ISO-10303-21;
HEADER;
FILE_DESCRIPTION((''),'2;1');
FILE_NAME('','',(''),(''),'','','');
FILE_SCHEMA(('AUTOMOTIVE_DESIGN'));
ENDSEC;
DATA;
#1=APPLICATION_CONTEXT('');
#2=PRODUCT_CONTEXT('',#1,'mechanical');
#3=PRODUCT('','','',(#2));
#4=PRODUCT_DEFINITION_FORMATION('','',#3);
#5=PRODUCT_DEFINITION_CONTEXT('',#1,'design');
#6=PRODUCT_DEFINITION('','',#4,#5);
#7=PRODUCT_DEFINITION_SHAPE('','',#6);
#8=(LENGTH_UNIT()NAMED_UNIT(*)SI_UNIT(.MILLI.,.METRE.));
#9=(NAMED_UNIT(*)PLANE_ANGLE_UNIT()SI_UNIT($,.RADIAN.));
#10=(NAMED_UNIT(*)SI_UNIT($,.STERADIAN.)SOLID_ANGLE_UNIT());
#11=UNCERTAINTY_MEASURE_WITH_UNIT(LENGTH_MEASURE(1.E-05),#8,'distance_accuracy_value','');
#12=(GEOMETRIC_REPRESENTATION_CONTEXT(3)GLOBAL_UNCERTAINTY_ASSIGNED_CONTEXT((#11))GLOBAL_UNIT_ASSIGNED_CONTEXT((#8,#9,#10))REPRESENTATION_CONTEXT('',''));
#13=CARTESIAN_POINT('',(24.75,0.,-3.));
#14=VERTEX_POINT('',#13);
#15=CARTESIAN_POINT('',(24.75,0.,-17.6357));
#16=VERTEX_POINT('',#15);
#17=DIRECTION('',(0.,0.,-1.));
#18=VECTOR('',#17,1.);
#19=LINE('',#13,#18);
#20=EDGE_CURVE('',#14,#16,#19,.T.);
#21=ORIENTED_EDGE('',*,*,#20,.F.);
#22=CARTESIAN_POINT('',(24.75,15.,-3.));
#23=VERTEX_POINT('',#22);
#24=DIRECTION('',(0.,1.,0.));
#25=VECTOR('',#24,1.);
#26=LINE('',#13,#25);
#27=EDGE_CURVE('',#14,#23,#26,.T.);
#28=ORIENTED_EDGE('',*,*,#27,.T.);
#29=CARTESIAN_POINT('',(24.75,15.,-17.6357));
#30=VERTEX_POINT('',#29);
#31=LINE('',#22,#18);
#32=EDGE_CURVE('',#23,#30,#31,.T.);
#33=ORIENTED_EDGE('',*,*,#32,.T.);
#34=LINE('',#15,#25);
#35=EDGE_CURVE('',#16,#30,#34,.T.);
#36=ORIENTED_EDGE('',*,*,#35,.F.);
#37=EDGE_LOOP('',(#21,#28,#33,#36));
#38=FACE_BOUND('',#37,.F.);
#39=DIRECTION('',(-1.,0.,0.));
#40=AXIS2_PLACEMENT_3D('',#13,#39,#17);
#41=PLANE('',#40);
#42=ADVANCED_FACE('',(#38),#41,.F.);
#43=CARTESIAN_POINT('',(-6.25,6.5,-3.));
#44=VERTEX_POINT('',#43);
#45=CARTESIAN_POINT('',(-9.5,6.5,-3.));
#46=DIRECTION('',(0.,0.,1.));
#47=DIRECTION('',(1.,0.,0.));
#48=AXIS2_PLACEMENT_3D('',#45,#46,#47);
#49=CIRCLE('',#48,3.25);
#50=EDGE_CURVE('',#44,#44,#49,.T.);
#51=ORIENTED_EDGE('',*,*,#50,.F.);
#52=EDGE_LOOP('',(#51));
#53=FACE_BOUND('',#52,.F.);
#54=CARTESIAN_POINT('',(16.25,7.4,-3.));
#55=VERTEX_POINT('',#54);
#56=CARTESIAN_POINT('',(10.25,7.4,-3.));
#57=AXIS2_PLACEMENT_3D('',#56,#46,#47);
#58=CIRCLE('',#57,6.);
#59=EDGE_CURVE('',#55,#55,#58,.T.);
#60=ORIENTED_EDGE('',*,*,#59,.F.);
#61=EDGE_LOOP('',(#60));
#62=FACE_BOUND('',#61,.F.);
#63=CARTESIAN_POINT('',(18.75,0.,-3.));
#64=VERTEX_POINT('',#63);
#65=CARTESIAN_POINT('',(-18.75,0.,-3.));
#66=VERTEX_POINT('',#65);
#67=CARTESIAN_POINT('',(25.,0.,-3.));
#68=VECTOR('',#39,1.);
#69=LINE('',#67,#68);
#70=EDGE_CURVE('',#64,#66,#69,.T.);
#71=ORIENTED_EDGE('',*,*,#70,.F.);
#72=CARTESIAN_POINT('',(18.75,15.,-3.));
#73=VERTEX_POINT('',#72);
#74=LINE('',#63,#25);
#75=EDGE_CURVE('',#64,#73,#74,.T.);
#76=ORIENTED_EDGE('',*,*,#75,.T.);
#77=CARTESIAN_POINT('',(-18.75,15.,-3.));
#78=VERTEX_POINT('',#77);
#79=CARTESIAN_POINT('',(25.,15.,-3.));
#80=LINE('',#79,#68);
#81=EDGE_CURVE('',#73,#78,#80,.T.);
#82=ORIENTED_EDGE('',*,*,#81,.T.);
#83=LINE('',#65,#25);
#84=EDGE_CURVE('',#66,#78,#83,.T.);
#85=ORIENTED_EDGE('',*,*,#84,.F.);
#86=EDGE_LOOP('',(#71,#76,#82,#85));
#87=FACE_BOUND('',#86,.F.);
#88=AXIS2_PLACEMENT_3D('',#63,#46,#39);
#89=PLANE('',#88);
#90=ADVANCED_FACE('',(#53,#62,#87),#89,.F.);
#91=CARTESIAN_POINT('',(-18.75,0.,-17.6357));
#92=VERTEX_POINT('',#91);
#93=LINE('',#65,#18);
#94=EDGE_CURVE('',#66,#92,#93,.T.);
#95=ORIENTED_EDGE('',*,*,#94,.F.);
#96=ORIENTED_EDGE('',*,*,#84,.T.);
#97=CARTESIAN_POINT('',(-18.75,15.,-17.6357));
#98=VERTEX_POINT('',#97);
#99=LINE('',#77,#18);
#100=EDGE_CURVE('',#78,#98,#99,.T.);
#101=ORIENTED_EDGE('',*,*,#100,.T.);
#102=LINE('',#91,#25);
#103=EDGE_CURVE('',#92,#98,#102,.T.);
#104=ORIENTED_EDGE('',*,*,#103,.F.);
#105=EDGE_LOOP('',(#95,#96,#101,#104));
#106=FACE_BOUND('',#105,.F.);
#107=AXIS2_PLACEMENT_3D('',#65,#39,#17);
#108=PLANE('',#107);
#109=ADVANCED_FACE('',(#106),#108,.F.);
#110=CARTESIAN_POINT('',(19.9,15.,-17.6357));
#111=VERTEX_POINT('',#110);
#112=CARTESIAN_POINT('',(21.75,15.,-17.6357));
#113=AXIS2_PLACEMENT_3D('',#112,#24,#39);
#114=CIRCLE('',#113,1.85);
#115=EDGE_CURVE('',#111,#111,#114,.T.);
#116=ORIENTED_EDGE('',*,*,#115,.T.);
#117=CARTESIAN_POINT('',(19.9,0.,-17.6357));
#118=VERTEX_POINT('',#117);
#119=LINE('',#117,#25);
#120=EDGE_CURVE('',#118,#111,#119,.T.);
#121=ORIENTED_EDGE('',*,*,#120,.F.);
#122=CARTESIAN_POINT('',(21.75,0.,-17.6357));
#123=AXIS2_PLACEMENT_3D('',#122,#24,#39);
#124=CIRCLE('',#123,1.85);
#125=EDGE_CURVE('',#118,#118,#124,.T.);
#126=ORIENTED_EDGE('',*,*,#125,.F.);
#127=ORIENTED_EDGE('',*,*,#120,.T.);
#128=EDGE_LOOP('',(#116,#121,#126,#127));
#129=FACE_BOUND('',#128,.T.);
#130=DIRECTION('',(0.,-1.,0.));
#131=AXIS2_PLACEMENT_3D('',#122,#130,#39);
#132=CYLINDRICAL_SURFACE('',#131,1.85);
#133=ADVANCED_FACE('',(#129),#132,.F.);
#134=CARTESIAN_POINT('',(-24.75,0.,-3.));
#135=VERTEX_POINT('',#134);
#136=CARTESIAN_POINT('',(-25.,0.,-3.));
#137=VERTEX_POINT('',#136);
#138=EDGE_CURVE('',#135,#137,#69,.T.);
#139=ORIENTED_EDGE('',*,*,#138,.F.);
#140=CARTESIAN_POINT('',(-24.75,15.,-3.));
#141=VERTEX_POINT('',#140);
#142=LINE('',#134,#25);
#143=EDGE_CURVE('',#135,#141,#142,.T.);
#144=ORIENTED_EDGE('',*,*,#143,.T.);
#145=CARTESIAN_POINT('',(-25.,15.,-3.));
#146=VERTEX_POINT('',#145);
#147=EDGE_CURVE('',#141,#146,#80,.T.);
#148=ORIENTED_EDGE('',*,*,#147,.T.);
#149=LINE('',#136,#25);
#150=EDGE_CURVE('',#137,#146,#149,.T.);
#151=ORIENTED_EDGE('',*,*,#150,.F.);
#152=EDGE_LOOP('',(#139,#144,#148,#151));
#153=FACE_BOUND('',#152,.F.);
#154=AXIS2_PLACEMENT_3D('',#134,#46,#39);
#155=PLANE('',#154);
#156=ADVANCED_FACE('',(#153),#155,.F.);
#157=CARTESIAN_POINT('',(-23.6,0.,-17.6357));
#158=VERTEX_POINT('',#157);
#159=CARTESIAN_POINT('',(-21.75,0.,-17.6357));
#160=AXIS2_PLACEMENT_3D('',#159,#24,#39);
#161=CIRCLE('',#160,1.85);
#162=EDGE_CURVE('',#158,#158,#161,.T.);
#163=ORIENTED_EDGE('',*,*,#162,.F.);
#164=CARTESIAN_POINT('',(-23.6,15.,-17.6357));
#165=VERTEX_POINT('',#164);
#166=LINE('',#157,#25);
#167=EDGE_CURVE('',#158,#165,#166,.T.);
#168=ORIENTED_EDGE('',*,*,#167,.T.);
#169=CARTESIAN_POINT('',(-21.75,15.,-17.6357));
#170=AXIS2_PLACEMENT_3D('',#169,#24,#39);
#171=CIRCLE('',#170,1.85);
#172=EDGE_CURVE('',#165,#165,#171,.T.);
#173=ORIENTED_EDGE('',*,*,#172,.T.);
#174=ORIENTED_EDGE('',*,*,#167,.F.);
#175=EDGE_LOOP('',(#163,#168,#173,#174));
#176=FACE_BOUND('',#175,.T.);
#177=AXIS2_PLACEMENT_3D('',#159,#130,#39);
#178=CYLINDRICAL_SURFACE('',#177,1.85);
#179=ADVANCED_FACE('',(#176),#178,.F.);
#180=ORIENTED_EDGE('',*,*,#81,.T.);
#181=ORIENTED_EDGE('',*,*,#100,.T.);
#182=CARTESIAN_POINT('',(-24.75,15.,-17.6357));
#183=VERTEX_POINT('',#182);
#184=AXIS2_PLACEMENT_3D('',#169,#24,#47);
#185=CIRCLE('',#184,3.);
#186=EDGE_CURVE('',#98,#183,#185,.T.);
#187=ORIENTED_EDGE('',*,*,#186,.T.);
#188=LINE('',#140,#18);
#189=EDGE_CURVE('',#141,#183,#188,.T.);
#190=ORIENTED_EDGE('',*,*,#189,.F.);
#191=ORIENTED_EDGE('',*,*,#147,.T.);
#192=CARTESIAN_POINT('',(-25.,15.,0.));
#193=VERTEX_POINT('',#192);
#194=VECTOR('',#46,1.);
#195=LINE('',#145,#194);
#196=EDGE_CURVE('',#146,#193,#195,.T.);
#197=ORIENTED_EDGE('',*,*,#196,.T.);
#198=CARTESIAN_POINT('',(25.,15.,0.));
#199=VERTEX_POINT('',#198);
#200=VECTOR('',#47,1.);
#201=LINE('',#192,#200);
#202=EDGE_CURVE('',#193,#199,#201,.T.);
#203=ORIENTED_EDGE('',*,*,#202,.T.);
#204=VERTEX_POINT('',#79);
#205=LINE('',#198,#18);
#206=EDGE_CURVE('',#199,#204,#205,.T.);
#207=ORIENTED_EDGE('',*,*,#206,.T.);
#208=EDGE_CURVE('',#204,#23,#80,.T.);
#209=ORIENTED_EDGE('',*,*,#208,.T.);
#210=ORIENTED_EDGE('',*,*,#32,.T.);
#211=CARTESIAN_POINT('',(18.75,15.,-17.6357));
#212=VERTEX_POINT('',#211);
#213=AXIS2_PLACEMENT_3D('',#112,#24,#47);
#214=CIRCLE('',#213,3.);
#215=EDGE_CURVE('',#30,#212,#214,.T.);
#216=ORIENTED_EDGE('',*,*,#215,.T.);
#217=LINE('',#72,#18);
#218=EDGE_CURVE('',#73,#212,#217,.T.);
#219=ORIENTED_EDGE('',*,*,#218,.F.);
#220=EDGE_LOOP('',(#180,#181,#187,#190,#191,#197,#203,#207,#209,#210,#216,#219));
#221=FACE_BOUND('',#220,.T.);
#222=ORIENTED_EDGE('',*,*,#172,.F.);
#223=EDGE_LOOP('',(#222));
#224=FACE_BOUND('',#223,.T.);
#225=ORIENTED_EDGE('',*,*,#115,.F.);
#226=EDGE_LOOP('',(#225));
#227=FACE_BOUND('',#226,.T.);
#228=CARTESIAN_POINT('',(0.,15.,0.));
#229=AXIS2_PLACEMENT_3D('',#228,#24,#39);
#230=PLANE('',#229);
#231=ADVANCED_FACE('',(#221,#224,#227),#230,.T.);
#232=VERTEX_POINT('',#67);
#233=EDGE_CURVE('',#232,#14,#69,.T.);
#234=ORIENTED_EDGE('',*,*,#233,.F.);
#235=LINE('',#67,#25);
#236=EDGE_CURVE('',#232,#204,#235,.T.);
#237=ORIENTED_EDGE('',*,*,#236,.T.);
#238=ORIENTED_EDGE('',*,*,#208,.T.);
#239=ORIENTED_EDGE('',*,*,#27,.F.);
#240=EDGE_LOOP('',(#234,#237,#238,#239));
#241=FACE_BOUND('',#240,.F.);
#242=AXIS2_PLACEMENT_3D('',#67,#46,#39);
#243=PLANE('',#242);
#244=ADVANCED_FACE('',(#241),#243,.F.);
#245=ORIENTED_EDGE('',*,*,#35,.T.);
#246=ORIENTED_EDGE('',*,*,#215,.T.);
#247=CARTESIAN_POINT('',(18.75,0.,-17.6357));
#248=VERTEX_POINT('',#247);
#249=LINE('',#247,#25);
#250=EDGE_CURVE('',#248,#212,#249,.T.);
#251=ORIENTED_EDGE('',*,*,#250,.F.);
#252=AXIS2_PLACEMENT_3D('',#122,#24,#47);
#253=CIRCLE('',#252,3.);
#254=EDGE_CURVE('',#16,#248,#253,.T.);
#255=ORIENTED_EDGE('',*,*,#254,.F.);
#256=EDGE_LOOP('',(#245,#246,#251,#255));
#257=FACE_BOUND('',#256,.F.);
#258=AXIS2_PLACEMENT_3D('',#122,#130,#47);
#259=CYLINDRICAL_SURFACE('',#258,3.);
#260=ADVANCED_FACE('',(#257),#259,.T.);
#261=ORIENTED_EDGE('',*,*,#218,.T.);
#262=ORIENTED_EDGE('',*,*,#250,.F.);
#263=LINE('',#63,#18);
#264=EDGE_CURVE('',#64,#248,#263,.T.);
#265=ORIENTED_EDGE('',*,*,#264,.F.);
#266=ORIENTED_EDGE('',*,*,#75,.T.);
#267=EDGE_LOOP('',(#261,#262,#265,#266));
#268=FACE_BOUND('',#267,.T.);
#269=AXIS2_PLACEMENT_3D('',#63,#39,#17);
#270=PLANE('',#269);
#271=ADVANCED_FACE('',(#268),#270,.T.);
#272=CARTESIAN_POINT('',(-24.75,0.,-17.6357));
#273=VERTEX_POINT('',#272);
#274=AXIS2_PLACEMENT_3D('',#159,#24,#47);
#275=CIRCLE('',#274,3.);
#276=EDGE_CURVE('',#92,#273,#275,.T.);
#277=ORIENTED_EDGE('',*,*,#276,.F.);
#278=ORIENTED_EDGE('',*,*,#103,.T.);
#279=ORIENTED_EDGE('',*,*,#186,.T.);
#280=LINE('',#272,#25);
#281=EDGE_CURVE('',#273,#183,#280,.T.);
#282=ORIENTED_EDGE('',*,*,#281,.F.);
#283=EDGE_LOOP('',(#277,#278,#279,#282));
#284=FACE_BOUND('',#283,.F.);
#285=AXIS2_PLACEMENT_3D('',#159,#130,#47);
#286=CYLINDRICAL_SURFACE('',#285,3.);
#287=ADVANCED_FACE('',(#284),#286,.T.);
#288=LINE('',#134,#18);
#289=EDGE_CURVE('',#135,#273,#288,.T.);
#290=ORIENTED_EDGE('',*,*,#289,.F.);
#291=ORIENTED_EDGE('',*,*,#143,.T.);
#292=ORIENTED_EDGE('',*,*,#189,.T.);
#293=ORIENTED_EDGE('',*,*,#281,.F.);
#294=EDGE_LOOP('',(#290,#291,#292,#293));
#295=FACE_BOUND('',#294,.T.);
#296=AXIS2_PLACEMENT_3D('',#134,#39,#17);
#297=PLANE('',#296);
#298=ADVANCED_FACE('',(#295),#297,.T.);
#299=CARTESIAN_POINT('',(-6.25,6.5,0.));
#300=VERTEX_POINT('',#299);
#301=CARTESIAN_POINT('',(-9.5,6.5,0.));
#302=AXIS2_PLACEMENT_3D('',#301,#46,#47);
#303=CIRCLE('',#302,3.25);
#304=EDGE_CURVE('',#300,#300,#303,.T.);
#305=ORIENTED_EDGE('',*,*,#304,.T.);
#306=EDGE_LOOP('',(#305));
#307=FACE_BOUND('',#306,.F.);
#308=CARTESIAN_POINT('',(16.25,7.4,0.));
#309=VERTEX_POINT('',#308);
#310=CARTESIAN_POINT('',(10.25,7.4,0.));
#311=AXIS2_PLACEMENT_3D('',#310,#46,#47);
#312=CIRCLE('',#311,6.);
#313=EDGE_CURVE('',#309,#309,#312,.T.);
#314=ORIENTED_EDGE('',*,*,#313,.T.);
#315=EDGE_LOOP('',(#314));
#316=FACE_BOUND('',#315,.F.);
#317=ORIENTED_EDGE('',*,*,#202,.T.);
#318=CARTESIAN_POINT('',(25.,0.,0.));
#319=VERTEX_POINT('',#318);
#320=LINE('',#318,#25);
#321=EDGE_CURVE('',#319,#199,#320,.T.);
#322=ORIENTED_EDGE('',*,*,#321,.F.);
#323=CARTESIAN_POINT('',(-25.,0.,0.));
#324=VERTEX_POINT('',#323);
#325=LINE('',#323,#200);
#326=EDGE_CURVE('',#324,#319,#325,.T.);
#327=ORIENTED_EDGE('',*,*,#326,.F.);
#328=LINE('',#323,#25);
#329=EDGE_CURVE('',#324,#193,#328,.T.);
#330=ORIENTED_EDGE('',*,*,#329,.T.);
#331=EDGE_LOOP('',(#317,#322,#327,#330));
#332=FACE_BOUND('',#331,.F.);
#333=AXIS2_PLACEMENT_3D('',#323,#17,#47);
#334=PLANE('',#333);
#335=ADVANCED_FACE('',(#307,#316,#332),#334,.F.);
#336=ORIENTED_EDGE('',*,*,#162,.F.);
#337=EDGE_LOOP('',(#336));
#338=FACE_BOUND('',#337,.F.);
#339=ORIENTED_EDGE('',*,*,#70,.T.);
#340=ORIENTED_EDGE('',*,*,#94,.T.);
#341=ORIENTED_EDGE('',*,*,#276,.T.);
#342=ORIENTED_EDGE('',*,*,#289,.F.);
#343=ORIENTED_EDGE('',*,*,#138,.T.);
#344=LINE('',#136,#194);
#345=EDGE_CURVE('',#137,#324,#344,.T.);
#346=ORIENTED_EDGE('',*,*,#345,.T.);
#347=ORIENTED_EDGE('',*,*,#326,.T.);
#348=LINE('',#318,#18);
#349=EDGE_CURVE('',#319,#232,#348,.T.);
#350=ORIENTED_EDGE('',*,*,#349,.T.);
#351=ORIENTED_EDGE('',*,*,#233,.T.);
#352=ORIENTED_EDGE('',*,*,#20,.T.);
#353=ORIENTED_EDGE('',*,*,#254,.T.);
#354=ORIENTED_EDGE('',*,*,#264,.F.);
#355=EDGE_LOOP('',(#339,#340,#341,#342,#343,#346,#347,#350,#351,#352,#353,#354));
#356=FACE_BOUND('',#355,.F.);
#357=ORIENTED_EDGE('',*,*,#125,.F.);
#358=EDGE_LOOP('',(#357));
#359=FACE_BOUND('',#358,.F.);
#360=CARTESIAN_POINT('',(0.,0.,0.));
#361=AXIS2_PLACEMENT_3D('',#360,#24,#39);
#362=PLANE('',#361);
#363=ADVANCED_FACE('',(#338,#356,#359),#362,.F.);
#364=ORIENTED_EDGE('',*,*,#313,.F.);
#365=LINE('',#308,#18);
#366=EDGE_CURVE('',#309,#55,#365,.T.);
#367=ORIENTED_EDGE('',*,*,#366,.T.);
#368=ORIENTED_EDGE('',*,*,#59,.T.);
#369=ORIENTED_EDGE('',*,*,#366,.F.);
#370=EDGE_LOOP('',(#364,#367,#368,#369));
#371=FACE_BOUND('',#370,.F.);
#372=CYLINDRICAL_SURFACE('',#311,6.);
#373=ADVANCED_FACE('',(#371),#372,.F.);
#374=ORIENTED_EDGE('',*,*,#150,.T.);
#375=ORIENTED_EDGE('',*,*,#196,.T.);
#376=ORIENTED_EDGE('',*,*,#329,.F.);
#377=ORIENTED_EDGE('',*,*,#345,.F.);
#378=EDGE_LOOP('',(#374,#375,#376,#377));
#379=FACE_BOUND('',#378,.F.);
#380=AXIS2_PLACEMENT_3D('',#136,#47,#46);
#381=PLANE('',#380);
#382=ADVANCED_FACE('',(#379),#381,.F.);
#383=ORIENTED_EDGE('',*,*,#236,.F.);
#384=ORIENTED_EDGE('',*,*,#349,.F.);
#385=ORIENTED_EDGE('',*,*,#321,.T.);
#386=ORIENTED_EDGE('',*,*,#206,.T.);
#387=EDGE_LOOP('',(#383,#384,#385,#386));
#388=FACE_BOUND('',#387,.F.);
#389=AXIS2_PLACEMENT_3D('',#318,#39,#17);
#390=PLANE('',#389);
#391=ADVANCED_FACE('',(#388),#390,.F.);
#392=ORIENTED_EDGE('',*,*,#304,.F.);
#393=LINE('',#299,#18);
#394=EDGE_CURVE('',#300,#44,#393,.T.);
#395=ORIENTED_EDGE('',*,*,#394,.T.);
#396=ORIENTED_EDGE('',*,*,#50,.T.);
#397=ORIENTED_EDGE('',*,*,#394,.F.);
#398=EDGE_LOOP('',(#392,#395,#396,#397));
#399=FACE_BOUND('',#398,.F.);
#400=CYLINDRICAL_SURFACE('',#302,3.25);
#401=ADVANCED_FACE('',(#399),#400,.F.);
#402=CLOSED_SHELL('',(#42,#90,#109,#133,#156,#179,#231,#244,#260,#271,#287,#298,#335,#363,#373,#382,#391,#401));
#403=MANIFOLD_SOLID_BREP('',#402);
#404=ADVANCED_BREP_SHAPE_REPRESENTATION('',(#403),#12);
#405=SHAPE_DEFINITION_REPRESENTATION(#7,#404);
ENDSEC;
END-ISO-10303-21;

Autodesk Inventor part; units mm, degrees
ref_plane "YZ Plane" through (0, 0, 0) normal (1, 0, 0) x (0, 1, 0)
ref_plane "XZ Plane" through (0, 0, 0) normal (0, 1, 0) x (-1, 0, 0)
ref_plane "XY Plane" through (0, 0, 0) normal (0, 0, 1) x (1, 0, 0)
sketch "Sketch1" plane through (0, 0, 0) normal (0, 1, 0) x (-1, 0, 0)
  line L0 (25, 0) -> (-25, 0)
  line L1 (-25, 0) -> (-25, -3)
  line L2 (-25, -3) -> (25, -3)
  line L3 (25, -3) -> (25, 0)
  line L4 (0, 0) -> (0, -12.1399) construction
  line L5 (24.75, -3) -> (24.75, -17.6357)
  line L6 (18.75, -3) -> (18.75, -17.6357)
  arc A0 (18.75, -17.6357) -> (24.75, -17.6357) centre (21.75, -17.6357) ccw
  circle A1 centre (21.75, -17.6357) radius 1.85
  line L7 (-24.75, -3) -> (-24.75, -17.6357)
  line L8 (-18.75, -3) -> (-18.75, -17.6357)
  arc A2 (-24.75, -17.6357) -> (-18.75, -17.6357) centre (-21.75, -17.6357) ccw
  circle A3 centre (-21.75, -17.6357) radius 1.85
  line L9 (-24.75, -3) -> (-18.75, -3)
  dimension "d0" = 3
  dimension "d1" = 50
  dimension "d2" = 43.5
  dimension "d3" = 14.6357
  dimension "d4" = 3.7
  dimension "d5" = 3
extrude "Extrusion1" add sketch "Sketch1" along normal blind 15
sketch "Sketch2" plane through (-25, 0, 0) normal (0, 0, 1) x (1, 0, 0)
  line L0 (0, 0) -> (50, 0) projected
  line L1 (50, 0) -> (50, 15) projected
  line L2 (0, 15) -> (50, 15) projected
  line L3 (0, 0) -> (0, 15) projected
  circle A0 centre (15.5, 6.5) radius 3.25
  circle A1 centre (35.25, 7.4) radius 6
  line L4 (43.75, 0) -> (43.75, 15) projected
  point P0 (25, 0)
  point P1 (25, 0)
  point P2 (50, 7.5)
  point P3 (0, 7.5)
  dimension "d8" = 6.5
  dimension "d14" = 34.5
  dimension "d15" = 8.5
  dimension "d16" = 12
  dimension "d17" = 8.5
  dimension "d21" = 15
  dimension "d22" = 7.4
extrude "Extrusion2" cut sketch "Sketch2" against normal through all contours A0
sketch "Sketch3" plane through (0, 0, 0) normal (0, -1, 0) x (1, 0, 0)
  point P0 (0, 0)
extrude "Extrusion3" cut sketch "Sketch2" against normal through all contours A1
properties part number "portaswitch" material "Default New Material(1)"
